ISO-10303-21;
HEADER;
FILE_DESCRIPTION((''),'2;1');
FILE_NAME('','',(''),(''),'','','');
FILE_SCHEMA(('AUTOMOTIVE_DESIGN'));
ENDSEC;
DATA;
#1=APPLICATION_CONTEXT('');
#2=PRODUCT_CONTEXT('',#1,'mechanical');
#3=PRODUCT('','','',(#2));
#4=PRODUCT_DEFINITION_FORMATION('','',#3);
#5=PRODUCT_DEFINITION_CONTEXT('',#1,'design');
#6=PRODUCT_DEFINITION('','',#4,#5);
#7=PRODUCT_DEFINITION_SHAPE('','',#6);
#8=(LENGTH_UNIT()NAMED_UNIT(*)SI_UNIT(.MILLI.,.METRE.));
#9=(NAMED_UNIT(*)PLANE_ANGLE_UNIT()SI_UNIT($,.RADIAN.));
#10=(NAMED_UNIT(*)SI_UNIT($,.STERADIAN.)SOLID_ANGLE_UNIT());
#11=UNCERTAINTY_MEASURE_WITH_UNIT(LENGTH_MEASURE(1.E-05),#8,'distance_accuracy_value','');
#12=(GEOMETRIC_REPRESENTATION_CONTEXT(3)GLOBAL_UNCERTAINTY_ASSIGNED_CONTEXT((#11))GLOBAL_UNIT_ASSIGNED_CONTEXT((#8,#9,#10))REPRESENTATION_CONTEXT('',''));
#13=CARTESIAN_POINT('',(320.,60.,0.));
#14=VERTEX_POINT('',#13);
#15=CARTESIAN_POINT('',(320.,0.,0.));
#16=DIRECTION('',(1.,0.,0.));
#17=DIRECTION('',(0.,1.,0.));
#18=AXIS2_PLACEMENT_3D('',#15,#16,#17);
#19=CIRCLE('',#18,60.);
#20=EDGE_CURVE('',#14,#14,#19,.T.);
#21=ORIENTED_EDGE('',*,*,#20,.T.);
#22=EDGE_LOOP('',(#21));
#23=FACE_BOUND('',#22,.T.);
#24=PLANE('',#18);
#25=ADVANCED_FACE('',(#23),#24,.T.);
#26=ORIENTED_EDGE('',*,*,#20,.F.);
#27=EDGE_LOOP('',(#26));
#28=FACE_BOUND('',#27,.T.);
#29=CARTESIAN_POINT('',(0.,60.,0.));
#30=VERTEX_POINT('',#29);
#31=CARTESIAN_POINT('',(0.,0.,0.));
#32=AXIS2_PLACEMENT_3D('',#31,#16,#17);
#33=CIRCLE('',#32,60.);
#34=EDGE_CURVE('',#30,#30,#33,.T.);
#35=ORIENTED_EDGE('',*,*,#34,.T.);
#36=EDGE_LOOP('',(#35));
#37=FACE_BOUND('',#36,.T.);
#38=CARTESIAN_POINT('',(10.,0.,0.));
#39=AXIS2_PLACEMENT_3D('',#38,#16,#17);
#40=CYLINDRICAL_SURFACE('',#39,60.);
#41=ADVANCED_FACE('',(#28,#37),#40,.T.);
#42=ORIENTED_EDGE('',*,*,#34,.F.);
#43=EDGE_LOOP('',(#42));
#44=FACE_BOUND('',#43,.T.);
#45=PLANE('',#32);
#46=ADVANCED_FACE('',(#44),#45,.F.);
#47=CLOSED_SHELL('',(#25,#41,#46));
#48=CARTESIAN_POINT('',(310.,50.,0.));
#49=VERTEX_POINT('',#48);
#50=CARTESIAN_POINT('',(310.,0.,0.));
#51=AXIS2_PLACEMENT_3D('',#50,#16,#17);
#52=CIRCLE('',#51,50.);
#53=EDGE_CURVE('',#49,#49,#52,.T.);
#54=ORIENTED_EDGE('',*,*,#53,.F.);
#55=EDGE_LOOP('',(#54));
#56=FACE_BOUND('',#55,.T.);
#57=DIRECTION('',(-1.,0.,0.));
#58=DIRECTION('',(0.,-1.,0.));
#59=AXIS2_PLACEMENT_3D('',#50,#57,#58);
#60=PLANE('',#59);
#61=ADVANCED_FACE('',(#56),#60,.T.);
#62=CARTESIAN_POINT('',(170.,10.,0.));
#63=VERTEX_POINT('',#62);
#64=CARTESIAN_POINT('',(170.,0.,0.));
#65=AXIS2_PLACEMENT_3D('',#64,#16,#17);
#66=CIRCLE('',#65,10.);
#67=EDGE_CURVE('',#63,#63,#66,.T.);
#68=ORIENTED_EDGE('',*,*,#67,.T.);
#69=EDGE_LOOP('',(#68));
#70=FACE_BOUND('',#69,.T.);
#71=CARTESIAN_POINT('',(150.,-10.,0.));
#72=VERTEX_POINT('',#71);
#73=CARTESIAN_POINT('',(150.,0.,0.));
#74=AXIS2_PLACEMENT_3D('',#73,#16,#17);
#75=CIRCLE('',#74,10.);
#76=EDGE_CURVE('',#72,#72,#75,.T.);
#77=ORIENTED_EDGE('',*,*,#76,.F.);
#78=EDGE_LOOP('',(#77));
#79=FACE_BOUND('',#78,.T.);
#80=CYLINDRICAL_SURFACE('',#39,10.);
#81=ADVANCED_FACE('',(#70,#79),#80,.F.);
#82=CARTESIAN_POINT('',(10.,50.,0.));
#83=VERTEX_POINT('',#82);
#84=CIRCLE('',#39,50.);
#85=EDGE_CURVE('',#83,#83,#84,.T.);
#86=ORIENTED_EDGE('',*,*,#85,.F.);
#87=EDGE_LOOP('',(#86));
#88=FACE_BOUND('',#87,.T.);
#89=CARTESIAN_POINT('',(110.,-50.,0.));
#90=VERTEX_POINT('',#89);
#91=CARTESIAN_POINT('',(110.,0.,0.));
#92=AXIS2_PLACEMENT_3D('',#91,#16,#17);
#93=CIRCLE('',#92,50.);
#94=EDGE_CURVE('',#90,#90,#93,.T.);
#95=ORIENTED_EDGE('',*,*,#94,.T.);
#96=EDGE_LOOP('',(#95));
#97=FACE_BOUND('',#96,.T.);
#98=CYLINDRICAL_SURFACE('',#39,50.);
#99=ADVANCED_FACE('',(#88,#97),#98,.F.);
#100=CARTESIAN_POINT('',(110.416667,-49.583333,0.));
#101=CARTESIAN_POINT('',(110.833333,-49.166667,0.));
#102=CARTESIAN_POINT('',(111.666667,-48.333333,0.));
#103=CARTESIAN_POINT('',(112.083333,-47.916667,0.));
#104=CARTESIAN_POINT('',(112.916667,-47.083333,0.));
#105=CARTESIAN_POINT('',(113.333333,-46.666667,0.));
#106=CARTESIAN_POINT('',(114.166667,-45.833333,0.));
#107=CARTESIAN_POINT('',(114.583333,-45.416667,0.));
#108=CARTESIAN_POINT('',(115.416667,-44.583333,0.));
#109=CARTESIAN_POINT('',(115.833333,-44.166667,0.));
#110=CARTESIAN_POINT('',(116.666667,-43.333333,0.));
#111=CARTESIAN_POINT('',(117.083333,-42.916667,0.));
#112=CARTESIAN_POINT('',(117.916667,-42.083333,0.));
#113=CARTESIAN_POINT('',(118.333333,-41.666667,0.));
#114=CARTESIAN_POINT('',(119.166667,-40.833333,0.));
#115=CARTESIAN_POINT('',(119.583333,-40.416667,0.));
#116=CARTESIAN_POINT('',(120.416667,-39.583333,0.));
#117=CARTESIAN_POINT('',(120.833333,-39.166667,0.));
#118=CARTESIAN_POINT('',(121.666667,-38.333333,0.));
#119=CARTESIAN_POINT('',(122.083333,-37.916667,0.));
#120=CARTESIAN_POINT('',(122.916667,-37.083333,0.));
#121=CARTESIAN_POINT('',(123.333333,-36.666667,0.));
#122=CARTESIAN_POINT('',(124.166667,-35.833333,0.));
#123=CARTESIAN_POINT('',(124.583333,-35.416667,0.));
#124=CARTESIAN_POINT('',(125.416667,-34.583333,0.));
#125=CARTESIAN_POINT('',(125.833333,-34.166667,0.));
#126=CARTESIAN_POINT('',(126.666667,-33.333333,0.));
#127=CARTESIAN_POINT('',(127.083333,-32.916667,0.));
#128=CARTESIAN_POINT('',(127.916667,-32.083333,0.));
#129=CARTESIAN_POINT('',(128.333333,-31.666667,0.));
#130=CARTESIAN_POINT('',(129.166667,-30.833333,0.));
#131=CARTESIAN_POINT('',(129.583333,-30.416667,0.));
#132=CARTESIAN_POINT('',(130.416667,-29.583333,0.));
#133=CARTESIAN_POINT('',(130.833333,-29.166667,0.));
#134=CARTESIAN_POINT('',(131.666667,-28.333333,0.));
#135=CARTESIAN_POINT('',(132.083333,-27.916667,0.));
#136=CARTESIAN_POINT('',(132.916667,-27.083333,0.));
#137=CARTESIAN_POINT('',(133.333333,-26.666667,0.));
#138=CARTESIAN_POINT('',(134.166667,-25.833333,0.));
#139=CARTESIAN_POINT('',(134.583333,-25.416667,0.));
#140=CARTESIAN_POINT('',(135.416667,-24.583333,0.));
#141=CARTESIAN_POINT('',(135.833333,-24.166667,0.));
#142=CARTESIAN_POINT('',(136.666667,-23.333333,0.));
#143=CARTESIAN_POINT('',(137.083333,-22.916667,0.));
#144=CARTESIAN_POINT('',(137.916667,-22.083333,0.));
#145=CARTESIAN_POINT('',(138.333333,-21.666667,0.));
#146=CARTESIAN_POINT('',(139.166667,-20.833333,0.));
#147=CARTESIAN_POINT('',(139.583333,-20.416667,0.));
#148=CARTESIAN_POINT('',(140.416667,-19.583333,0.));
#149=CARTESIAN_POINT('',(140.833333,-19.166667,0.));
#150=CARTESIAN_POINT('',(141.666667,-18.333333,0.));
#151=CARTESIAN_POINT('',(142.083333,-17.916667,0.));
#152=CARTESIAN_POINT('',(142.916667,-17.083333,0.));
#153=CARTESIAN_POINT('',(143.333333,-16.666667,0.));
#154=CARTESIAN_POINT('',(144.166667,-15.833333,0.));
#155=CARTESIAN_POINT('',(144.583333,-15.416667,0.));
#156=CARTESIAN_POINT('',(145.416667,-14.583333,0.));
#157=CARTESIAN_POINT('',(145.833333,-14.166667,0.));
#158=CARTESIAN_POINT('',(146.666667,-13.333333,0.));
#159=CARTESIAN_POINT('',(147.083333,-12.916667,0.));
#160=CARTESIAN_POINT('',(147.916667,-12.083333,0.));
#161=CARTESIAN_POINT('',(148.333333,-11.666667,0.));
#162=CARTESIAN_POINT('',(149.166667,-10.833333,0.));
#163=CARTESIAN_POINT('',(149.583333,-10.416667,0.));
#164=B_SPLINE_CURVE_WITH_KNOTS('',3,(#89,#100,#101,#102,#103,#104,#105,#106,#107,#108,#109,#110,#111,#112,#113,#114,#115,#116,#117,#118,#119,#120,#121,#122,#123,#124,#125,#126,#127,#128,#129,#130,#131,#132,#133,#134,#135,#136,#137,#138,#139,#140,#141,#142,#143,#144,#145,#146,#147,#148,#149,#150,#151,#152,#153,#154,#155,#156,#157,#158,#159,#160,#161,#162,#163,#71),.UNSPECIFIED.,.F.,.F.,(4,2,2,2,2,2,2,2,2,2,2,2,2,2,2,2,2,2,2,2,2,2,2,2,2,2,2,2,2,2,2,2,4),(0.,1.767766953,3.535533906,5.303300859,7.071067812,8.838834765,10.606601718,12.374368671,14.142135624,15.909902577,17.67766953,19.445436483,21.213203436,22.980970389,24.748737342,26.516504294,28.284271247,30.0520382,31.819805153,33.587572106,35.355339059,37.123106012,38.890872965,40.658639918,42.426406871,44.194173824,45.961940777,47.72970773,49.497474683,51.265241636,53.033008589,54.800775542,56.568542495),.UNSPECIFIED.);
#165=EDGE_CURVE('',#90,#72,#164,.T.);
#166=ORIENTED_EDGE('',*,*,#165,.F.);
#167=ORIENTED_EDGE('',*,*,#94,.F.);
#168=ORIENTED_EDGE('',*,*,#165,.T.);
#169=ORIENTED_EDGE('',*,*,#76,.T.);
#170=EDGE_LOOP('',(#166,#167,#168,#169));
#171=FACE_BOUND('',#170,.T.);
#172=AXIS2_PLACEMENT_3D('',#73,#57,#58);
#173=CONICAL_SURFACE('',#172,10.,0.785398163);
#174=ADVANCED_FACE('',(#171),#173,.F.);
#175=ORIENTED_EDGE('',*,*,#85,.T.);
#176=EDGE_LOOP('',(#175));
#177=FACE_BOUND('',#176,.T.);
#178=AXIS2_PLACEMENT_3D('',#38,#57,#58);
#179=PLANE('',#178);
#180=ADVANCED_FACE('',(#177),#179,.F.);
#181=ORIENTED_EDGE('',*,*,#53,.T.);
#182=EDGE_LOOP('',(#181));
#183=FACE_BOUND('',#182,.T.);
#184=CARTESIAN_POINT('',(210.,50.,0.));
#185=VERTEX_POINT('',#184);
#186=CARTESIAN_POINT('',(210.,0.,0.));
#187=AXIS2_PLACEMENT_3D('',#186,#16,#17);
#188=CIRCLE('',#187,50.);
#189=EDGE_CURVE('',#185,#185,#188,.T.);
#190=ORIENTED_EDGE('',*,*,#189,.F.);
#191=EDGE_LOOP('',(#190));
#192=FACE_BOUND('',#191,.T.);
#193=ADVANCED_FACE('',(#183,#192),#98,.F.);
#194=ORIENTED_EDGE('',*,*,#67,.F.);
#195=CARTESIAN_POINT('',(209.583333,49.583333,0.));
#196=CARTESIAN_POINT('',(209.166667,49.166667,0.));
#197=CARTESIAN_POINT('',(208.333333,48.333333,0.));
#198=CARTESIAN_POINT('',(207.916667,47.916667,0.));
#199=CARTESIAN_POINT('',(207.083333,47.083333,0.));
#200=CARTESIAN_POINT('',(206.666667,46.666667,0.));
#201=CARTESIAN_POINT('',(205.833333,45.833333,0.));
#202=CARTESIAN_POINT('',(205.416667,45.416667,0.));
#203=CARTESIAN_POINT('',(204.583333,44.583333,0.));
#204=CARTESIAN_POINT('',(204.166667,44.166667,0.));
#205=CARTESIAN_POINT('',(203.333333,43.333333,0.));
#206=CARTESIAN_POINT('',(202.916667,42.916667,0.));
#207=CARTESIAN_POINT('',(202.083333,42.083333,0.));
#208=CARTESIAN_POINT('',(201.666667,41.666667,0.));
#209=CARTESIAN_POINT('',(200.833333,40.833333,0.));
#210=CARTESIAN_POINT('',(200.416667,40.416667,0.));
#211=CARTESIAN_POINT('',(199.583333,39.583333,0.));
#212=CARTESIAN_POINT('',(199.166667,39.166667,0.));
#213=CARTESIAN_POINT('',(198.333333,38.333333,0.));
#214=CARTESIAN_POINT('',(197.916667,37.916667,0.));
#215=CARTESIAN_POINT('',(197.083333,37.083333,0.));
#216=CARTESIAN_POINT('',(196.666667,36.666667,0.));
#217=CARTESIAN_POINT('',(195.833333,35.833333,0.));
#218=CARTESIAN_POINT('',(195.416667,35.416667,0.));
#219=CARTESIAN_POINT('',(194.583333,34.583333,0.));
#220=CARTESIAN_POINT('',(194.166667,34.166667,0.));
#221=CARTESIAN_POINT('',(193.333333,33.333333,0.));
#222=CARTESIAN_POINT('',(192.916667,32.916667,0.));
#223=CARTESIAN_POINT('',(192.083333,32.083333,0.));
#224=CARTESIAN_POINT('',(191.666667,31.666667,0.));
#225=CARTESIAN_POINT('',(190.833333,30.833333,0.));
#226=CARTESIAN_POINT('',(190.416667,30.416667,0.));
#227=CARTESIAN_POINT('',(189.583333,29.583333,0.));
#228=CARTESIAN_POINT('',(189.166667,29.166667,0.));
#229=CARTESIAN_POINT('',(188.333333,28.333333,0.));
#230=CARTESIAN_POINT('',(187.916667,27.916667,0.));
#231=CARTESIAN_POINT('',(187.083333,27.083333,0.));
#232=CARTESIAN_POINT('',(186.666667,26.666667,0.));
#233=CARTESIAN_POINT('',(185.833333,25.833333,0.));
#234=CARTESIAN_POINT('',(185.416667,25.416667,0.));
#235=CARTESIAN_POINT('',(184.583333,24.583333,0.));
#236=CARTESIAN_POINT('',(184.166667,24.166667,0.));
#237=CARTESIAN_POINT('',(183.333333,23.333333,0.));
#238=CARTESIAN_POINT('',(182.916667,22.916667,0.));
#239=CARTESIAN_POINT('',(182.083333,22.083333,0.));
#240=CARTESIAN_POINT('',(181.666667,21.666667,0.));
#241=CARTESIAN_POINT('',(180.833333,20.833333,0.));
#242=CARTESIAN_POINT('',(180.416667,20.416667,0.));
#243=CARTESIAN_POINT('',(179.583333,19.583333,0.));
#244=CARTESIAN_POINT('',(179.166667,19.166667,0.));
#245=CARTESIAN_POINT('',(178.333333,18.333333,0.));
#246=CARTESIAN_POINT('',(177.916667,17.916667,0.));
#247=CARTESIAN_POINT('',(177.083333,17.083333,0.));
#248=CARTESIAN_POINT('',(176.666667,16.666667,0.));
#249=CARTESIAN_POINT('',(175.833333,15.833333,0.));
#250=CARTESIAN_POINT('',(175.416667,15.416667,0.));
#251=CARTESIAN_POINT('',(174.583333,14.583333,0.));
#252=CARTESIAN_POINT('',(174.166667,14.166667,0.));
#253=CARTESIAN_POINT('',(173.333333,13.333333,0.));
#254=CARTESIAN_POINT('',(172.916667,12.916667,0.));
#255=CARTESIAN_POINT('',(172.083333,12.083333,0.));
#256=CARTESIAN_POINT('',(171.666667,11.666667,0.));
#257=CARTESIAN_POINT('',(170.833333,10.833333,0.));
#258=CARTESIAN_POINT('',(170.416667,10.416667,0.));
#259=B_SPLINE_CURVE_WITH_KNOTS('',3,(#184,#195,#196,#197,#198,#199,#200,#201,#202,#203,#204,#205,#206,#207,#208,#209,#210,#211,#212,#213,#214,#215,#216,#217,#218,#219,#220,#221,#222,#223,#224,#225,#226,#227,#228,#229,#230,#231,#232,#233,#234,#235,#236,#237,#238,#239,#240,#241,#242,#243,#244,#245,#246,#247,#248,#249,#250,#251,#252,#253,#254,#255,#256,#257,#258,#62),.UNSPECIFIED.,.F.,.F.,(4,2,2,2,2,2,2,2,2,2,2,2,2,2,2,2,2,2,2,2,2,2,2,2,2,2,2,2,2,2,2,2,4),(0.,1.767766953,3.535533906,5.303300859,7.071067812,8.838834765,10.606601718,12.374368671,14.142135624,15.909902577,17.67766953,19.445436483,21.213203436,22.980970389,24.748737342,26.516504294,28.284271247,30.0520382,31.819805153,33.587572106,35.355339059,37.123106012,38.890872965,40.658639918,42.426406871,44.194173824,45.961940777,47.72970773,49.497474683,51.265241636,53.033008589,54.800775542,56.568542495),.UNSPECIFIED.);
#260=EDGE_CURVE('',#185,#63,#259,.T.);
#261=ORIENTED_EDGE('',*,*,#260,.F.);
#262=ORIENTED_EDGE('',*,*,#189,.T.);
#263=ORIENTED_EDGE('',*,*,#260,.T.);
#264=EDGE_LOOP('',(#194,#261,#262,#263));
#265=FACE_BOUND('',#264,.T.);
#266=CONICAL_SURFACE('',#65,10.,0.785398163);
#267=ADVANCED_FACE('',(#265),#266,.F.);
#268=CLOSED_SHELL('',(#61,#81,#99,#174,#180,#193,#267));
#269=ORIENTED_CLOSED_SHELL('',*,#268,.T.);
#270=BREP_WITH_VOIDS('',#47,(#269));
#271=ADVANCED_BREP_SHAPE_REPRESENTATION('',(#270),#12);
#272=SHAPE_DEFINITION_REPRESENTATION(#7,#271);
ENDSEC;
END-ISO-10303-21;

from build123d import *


with BuildPart() as part:
    # ｽｹｯﾁ2 → 回転1 (revolve)
    with BuildSketch(Plane.XY, mode=Mode.PRIVATE) as revolve_1_sk:
        Polygon((10, 0), (0, 0), (0, -60), (160, -60), (160, -10), (150, -10), (110, -50), (10, -50), align=None)
        Polygon((160, -10), (160, -60), (320, -60), (320, 0), (310, 0), (310, -50), (210, -50), (170, -10), align=None)
    revolve(revolve_1_sk.sketch.rotate(Axis((10, 0, 0), (-1, 0, 0)), 180), axis=Axis((10, 0, 0), (-1, 0, 0)))


solid = part.part
